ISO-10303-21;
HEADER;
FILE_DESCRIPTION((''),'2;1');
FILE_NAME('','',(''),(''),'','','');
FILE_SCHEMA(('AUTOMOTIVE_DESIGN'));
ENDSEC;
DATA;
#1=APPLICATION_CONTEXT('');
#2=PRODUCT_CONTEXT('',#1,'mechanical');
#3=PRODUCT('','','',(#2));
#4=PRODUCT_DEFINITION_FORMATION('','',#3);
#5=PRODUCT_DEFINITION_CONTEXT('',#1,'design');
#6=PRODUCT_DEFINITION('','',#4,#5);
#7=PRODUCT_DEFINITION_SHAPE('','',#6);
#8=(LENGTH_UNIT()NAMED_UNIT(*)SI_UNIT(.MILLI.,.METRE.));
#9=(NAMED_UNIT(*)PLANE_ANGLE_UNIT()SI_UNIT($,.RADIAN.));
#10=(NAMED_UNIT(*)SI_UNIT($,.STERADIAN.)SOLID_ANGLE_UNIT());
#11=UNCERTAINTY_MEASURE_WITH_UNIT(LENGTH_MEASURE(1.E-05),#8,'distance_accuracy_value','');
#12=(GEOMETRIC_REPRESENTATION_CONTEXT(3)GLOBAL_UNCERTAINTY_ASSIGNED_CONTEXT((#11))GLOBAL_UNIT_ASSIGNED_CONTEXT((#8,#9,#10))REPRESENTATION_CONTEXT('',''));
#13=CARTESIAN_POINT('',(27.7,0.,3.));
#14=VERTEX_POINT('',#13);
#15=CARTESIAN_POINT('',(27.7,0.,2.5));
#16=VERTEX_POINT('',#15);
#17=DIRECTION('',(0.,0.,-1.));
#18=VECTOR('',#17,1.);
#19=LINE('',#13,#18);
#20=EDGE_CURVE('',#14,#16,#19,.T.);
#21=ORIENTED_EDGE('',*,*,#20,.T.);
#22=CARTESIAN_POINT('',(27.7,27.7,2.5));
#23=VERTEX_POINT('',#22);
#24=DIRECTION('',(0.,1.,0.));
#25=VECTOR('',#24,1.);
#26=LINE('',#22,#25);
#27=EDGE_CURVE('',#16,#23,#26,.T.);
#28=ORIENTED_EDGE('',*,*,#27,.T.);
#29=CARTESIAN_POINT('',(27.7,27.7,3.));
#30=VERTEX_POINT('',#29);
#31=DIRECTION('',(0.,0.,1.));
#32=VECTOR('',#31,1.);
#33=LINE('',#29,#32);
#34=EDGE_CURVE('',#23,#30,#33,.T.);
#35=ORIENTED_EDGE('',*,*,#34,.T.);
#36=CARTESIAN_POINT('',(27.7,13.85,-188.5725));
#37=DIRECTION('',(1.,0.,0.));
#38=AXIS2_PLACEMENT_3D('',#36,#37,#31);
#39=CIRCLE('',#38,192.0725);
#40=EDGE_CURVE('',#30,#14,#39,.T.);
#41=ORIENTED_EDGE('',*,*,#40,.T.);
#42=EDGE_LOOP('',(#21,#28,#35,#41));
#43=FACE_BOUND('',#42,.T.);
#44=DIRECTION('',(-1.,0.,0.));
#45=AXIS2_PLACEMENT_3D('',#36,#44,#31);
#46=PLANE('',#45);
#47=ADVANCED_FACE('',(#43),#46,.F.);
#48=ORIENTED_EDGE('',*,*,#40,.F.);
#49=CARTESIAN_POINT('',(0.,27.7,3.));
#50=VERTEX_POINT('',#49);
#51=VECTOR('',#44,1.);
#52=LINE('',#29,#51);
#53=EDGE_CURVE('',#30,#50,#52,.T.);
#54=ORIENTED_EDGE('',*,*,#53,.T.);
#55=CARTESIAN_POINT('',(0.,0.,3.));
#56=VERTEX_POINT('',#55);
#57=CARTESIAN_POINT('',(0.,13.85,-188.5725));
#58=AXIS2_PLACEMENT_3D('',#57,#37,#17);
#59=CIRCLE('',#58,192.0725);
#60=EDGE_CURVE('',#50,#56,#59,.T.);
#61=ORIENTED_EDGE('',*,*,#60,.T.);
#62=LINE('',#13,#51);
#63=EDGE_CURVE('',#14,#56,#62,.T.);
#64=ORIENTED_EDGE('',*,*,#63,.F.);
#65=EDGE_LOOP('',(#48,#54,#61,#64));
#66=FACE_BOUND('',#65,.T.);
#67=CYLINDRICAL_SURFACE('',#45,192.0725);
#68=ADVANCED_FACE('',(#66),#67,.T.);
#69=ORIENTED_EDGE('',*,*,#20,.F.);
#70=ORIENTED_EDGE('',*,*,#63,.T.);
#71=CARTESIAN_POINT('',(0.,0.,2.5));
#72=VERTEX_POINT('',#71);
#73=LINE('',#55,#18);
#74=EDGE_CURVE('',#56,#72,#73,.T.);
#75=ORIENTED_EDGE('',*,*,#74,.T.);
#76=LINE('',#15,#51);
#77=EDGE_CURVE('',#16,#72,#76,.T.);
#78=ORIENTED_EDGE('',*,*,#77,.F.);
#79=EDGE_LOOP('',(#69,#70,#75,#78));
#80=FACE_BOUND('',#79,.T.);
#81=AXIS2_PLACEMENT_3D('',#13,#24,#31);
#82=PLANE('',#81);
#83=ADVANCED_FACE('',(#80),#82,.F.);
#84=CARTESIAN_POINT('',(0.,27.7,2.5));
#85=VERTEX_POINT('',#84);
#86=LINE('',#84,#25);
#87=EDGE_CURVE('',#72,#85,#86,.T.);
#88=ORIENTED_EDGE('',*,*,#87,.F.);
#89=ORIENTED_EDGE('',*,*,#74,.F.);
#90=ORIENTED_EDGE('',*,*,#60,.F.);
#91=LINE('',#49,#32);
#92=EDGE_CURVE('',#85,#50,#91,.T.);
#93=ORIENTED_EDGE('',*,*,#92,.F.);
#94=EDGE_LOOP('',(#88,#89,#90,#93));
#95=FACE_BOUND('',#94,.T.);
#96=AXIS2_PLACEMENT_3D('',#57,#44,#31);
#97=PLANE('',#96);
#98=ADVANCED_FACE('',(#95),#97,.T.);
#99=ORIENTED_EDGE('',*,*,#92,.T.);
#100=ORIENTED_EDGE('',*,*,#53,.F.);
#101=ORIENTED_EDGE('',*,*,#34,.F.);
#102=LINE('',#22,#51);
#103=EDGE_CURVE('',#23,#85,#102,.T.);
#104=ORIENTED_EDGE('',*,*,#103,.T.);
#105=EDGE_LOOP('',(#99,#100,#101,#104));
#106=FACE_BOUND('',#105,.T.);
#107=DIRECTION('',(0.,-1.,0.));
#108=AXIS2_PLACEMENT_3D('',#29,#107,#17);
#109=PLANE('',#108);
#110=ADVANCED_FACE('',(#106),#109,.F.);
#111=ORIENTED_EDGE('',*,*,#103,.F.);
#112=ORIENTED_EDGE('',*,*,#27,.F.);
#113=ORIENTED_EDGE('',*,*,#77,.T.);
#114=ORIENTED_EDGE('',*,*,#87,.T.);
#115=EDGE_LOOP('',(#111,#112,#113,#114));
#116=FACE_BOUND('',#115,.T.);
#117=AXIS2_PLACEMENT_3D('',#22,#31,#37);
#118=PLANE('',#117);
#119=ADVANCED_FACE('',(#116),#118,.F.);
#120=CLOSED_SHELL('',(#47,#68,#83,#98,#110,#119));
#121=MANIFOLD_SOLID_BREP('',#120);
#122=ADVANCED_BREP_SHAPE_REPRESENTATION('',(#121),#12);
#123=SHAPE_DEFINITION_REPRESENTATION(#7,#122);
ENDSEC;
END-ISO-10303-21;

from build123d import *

# Parameters (mm, degrees)
BOSS_EXTRUDE7_DEPTH = 27.7


with BuildPart() as part:
    # Sketch14 → Boss-Extrude7 (new body)
    with BuildSketch(Plane(origin=(0, 0, 0), x_dir=(0, 0, -1), z_dir=(1, 0, 0))):
        with BuildLine():
            Line((-2.5, 27.7), (-2.5, 0))
            Line((-2.5, 0), (-3, 0))
            ThreePointArc((-3, 0), (-3.374959299, 6.920488834), (-3.5, 13.85))
            ThreePointArc((-3.5, 13.85), (-3.374959299, 20.779511166), (-3, 27.7))
            Line((-3, 27.7), (-2.5, 27.7))
        make_face()
    extrude(amount=BOSS_EXTRUDE7_DEPTH)


solid = part.part
